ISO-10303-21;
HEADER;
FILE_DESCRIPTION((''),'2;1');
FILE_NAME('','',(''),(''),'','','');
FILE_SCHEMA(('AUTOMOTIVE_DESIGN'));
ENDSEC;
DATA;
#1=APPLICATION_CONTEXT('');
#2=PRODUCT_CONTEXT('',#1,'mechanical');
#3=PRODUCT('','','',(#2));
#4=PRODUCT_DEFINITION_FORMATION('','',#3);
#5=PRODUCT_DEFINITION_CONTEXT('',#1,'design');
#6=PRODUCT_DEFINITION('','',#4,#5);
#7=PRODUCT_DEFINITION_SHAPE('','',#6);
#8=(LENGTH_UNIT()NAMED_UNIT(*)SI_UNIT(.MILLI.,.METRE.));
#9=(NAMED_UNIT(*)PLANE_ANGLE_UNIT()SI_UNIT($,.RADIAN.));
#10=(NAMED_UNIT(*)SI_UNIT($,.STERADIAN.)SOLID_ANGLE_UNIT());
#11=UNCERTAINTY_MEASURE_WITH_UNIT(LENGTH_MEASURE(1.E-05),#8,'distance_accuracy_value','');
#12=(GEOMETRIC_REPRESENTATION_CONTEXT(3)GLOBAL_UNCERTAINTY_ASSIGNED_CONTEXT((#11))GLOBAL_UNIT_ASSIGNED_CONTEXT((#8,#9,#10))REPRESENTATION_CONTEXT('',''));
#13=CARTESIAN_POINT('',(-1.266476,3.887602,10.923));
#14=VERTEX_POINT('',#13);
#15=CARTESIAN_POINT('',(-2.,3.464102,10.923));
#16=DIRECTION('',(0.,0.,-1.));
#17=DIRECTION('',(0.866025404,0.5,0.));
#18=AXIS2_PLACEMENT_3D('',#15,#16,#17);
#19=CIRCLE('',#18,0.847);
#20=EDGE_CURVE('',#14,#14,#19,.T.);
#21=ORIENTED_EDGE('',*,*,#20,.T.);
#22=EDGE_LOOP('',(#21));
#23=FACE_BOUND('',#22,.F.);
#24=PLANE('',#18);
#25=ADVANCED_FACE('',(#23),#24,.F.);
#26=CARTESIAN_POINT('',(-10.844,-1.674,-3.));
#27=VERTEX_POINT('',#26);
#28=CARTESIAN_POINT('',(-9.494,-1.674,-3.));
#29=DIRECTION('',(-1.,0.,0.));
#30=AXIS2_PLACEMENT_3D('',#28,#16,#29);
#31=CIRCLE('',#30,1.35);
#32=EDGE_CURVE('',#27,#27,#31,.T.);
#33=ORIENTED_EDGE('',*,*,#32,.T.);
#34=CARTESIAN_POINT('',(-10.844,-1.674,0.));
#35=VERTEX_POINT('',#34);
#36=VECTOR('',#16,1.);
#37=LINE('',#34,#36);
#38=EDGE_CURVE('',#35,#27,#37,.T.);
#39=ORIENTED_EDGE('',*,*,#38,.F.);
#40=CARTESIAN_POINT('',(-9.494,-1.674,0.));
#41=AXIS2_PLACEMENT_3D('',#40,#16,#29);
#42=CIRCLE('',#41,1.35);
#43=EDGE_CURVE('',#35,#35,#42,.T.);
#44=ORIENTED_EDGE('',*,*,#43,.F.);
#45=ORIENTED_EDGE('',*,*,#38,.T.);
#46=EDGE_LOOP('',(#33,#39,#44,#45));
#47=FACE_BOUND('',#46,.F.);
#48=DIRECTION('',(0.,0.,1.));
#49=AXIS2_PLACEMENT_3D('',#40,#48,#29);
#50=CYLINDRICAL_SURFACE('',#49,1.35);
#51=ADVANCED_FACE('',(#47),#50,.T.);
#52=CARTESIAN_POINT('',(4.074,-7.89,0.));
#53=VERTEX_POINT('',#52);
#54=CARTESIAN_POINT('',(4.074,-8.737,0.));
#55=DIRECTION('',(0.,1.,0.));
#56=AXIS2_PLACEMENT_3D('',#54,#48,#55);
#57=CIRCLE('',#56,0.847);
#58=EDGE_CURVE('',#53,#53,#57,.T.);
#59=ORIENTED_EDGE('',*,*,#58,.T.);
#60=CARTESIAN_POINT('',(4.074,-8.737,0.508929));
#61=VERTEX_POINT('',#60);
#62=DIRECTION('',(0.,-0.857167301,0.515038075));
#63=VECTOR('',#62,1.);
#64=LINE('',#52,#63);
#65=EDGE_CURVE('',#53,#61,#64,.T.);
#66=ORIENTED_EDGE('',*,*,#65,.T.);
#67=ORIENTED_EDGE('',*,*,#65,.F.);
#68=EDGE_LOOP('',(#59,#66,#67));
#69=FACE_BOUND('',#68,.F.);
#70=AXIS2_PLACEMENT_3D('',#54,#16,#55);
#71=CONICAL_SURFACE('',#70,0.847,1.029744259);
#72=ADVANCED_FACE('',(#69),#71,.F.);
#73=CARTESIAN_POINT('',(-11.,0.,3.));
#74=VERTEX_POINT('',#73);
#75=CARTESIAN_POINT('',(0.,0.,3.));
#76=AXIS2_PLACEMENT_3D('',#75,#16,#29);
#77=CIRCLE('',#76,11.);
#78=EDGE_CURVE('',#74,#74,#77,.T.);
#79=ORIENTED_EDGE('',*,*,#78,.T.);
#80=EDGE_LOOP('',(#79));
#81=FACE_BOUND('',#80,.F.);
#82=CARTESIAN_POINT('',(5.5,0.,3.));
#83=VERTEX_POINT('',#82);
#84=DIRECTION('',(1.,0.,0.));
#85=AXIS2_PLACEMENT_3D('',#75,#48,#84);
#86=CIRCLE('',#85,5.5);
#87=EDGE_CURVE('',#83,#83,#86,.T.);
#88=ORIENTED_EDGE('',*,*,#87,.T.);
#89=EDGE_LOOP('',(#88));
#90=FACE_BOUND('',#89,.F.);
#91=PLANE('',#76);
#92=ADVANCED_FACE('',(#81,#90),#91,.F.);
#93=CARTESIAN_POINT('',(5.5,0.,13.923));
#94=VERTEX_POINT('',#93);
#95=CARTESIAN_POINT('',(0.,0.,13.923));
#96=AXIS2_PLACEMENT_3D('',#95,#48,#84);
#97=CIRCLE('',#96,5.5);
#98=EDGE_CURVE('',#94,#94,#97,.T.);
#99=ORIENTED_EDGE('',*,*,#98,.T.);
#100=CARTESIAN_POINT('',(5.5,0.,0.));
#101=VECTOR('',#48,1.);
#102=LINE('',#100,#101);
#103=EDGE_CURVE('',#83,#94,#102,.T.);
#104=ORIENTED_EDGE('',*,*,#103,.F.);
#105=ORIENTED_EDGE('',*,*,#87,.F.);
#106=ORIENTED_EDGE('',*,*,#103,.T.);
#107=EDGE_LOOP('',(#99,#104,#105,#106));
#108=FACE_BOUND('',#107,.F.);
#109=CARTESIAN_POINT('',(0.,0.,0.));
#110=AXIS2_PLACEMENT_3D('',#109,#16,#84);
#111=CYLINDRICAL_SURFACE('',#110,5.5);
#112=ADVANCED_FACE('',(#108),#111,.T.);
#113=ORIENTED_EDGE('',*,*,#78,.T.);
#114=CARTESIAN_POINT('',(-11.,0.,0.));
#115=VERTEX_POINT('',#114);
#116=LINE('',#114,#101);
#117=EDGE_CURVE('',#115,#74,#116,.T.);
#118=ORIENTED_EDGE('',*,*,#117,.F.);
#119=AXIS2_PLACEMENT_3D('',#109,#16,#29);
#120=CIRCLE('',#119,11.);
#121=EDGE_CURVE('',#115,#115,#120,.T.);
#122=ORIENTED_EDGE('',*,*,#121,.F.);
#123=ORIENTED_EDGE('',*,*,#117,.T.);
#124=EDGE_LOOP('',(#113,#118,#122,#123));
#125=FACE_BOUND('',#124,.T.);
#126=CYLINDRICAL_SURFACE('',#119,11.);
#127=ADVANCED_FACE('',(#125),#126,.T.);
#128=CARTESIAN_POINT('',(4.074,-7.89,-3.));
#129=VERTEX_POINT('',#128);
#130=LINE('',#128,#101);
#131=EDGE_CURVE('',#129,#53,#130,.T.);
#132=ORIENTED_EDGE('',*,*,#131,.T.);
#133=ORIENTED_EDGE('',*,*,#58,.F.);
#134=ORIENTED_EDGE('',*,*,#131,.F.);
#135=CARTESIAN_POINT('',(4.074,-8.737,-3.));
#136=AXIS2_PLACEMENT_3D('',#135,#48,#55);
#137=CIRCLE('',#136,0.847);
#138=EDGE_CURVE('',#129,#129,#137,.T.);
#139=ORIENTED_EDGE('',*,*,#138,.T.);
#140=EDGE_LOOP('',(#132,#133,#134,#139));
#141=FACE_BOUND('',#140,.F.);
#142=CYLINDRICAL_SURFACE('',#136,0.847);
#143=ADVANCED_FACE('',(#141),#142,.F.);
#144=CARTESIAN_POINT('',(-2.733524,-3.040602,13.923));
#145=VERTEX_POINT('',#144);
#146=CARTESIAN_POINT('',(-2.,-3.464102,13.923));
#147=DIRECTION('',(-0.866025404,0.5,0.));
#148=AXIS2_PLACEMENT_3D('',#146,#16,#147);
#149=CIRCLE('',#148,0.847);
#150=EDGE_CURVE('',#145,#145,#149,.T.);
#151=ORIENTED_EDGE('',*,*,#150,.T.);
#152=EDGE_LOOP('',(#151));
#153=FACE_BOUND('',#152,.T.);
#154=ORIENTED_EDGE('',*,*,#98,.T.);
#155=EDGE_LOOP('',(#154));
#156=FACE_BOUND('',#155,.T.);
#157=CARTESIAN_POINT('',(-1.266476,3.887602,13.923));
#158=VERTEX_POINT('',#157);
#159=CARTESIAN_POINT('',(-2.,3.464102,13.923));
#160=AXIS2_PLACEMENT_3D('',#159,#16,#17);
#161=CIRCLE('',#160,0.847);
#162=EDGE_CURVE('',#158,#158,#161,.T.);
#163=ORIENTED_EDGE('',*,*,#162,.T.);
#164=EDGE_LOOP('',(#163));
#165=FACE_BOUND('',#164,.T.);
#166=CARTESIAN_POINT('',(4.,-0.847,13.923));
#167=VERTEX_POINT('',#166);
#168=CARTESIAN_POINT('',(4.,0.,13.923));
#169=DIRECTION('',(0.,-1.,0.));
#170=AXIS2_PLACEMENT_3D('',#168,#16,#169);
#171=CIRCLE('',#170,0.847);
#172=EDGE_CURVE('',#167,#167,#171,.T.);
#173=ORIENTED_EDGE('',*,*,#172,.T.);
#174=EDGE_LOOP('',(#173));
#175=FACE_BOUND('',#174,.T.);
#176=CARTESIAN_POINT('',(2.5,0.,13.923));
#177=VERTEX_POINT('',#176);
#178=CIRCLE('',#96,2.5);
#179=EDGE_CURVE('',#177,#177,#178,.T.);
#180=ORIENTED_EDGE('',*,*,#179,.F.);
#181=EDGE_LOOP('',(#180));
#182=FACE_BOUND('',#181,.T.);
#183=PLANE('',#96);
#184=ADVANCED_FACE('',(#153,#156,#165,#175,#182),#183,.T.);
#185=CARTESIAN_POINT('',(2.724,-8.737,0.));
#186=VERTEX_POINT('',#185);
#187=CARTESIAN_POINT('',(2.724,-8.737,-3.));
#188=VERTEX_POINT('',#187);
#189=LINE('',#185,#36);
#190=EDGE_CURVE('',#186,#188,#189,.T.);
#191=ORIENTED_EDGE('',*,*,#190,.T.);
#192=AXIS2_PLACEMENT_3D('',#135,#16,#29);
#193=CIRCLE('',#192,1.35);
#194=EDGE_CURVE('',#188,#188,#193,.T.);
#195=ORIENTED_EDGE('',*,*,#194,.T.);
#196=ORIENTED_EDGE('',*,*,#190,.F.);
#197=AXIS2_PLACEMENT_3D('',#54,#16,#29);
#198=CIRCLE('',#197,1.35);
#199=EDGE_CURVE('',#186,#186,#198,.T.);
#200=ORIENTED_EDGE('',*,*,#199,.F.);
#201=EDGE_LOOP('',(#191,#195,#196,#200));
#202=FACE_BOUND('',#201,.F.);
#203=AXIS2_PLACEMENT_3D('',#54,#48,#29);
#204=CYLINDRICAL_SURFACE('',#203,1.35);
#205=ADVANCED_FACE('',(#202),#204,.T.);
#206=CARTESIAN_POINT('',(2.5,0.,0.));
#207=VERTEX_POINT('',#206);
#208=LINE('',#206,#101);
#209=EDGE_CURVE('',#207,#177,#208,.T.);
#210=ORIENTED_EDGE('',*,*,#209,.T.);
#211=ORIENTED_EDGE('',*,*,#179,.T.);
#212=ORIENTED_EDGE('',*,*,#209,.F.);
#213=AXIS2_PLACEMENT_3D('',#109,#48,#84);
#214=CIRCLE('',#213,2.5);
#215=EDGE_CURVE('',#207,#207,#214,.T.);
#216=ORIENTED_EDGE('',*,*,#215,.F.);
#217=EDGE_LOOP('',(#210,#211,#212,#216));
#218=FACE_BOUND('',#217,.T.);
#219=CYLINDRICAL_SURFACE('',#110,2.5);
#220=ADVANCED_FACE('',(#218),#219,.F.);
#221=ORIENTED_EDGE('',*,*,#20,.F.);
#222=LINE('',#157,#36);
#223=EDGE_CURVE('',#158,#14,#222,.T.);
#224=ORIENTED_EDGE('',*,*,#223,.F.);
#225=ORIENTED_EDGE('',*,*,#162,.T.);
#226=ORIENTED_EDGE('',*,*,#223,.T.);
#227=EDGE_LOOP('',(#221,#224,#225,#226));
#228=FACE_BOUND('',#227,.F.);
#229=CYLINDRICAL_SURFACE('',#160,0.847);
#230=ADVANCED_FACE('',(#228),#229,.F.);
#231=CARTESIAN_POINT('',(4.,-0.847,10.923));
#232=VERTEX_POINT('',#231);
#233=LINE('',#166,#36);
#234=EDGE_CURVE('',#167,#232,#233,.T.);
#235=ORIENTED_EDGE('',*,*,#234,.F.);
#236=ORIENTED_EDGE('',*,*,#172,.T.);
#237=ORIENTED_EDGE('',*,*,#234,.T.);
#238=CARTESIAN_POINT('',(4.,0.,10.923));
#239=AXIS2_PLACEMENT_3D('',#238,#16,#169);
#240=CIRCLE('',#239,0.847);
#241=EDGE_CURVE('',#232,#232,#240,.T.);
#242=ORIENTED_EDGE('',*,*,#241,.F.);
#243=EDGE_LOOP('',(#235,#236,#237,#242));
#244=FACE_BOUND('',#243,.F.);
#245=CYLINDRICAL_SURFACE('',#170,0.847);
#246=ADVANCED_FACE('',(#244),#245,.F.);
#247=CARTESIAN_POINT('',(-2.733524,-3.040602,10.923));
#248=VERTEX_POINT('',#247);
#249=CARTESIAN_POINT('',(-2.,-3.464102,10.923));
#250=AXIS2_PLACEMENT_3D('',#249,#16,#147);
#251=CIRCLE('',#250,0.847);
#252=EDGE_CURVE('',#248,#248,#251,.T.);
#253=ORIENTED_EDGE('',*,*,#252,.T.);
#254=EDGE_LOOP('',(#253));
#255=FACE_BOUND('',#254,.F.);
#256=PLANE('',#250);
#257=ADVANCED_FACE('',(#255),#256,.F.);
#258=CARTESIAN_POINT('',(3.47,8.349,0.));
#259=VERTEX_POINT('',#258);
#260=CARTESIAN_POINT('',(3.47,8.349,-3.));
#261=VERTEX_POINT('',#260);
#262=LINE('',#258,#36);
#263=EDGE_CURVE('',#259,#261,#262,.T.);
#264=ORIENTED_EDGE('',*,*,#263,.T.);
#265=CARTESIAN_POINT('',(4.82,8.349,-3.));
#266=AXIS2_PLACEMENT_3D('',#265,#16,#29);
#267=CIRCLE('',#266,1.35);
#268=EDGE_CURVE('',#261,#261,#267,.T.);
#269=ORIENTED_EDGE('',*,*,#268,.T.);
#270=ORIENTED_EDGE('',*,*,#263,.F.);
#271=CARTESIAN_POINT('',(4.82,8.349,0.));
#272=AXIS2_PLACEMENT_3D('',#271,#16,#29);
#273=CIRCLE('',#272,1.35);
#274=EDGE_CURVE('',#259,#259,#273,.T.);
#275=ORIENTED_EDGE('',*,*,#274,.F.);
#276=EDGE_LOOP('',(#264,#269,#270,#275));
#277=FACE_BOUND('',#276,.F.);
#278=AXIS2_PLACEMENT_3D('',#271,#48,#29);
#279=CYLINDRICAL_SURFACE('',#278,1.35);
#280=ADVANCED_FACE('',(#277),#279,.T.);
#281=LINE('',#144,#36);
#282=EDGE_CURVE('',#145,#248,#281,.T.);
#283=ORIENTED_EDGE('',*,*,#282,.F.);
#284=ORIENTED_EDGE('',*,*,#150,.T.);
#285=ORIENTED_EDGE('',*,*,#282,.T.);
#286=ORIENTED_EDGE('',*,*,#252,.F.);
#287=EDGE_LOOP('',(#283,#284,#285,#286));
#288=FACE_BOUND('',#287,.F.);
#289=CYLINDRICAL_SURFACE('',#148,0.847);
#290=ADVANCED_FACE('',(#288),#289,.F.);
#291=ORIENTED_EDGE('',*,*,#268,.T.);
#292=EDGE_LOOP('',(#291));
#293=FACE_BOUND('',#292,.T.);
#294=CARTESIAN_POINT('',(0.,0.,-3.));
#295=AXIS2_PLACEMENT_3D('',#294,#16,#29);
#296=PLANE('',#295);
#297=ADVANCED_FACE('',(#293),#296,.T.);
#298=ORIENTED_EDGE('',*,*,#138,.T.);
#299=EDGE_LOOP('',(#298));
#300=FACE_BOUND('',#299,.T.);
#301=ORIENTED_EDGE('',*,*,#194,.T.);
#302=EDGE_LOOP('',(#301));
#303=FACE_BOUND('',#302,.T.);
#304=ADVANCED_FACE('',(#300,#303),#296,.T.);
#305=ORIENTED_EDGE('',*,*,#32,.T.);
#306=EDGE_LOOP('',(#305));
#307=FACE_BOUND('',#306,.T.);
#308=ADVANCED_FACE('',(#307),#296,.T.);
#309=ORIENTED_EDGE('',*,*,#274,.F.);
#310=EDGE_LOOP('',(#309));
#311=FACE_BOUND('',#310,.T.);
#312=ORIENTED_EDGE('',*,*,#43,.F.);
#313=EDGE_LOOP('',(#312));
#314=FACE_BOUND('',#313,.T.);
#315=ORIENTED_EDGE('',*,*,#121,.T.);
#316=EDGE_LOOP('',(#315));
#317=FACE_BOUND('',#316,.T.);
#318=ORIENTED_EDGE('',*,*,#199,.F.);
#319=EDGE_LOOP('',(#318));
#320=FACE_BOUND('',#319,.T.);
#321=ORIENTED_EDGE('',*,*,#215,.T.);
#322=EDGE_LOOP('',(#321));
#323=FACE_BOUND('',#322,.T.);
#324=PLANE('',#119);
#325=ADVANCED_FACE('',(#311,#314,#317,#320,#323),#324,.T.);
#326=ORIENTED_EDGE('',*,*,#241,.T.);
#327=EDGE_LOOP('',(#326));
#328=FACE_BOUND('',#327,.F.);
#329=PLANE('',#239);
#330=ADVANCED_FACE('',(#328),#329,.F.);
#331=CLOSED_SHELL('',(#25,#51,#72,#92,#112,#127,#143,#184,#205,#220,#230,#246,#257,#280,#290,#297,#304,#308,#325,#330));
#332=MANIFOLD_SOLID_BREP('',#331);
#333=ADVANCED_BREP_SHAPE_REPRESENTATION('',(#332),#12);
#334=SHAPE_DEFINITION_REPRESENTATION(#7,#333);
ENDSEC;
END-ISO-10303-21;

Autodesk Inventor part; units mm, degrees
ref_plane "YZ Plane" through (0, 0, 0) normal (1, 0, 0) x (0, 1, 0)
ref_plane "XZ Plane" through (0, 0, 0) normal (0, 1, 0) x (-1, 0, 0)
ref_plane "XY Plane" through (0, 0, 0) normal (0, 0, 1) x (1, 0, 0)
sketch "Sketch1" plane through (0, 0, 0) normal (0, 0, 1) x (1, 0, 0)
  circle A0 centre (0, 0) radius 5.5
  circle A1 centre (0, 0) radius 2.5
  dimension "d0" = 11
  dimension "d1" = 5
extrude "Extrusion1" add sketch "Sketch1" along normal blind 13.923
sketch "Sketch2" plane through (0, 0, 0) normal (0, 0, -1) x (-1, 0, 0)
  circle A0 centre (0, 0) radius 5.5 projected
  circle A1 centre (0, 0) radius 11
  dimension "d4" = 22
extrude "Extrusion2" add sketch "Sketch2" against normal blind 3
sketch "Sketch3" plane through (0, 0, 0) normal (0, 0, -1) x (-1, 0, 0)
  line L0 (-6.245, 5) -> (-3, 5)
  circle A0 centre (0, 0) radius 1.5
  line L1 (-3, 5) -> (-3, -5)
  line L2 (-3, -5) -> (-6.245, -5)
  circle A1 centre (9.494, -1.674) radius 0.85
  spline S0 degree 3 poles (10.2296, -1.2481) (10.2738, -1.3244) (10.307, -1.4092) (10.3385, -1.5597) (10.3447, -1.6214) (10.3436, -1.712) (10.3419, -1.74) (10.3365, -1.7883) (10.3335, -1.8088) (10.3258, -1.8503) (10.3211, -1.8713) (10.3072, -1.9234) (10.2972, -1.9541) (10.2556, -2.0601) (10.2157, -2.1299) (10.1087, -2.269) (10.0384, -2.3333) (9.8581, -2.452) (9.7422, -2.496) (9.5082, -2.5317) (9.39, -2.526) (9.1776, -2.4693) (9.0836, -2.4258) (8.9226, -2.3102) (8.8553, -2.243) (8.7497, -2.0936) (8.7103, -2.0147) (8.6611, -1.8594) (8.648, -1.7853) (8.6432, -1.6739) (8.644, -1.6375) (8.6494, -1.5744) (8.653, -1.5477) (8.6628, -1.4942) (8.669, -1.4673) (8.6873, -1.4034) (8.7006, -1.3666) (8.7492, -1.2563) (8.7927, -1.1869) (8.912, -1.0459) (8.9921, -0.9805) (9.1784, -0.8769) (9.2836, -0.8435) (9.5106, -0.8156) (9.6296, -0.8269) (9.8522, -0.8944) (9.955, -0.9506) (10.1164, -1.0872) (10.1799, -1.1623) (10.2296, -1.2481) knots -0.565469 -0.565469 -0.565469 -0.565469 -0.536596 -0.536596 -0.517611 -0.517611 -0.509175 -0.509175 -0.50297 -0.50297 -0.496493 -0.496493 -0.486731 -0.486731 -0.461904 -0.461904 -0.431221 -0.431221 -0.390112 -0.390112 -0.351113 -0.351113 -0.31806 -0.31806 -0.288721 -0.288721 -0.262067 -0.262067 -0.23952 -0.23952 -0.228596 -0.228596 -0.220512 -0.220512 -0.212256 -0.212256 -0.200543 -0.200543 -0.176006 -0.176006 -0.144684 -0.144684 -0.110272 -0.110272 -0.071492 -0.071492 -0.032498 -0.032498 0 0 0 0
  circle A2 centre (9.494, -1.674) radius 1.35
  arc A3 (0, -8) -> (-6.245, 5) centre (0, 0) ccw
  arc A4 (-6.245, -5) -> (0, -8) centre (0, 0) ccw
  circle A5 centre (-4.074, -8.737) radius 0.85
  spline S1 degree 3 poles (-3.2275, -8.6604) (-3.2176, -8.7695) (-3.229, -8.877) (-3.2876, -9.0751) (-3.3329, -9.1647) (-3.4588, -9.3344) (-3.5435, -9.4107) (-3.7198, -9.5152) (-3.8078, -9.5499) (-3.9747, -9.5845) (-4.0515, -9.5903) (-4.1887, -9.5813) (-4.248, -9.5712) (-4.333, -9.547) (-4.3592, -9.5382) (-4.4041, -9.5206) (-4.4229, -9.5123) (-4.4611, -9.4941) (-4.4802, -9.484) (-4.5275, -9.4567) (-4.5549, -9.4386) (-4.6492, -9.3685) (-4.7078, -9.3092) (-4.8155, -9.1642) (-4.8589, -9.0767) (-4.9231, -8.8674) (-4.9328, -8.7429) (-4.9006, -8.5082) (-4.8622, -8.3976) (-4.7491, -8.2109) (-4.6814, -8.1333) (-4.5263, -8.0114) (-4.4435, -7.9656) (-4.2507, -7.8985) (-4.1412, -7.8825) (-3.9721, -7.8911) (-3.9136, -7.9002) (-3.8251, -7.9236) (-3.7941, -7.9337) (-3.7394, -7.9552) (-3.7153, -7.9659) (-3.6658, -7.9908) (-3.6405, -8.0053) (-3.5776, -8.0455) (-3.5413, -8.0731) (-3.4268, -8.1755) (-3.361, -8.262) (-3.2655, -8.4537) (-3.2369, -8.5564) (-3.2275, -8.6604) knots -0.566086 -0.566086 -0.566086 -0.566086 -0.531825 -0.531825 -0.498779 -0.498779 -0.460694 -0.460694 -0.429612 -0.429612 -0.405256 -0.405256 -0.386838 -0.386838 -0.378505 -0.378505 -0.372312 -0.372312 -0.365791 -0.365791 -0.355852 -0.355852 -0.330056 -0.330056 -0.298514 -0.298514 -0.25701 -0.25701 -0.218398 -0.218398 -0.185587 -0.185587 -0.156394 -0.156394 -0.123104 -0.123104 -0.105349 -0.105349 -0.095573 -0.095573 -0.087672 -0.087672 -0.078924 -0.078924 -0.065227 -0.065227 -0.032657 -0.032657 0 0 0 0
  circle A6 centre (-4.074, -8.737) radius 1.35
  circle A7 centre (-4.82, 8.349) radius 0.85
  spline S2 degree 3 poles (-4.1123, 8.8197) (-4.052, 8.7291) (-4.0084, 8.6259) (-3.9677, 8.4209) (-3.9647, 8.3234) (-3.9919, 8.1375) (-4.0188, 8.0509) (-4.0994, 7.8893) (-4.1522, 7.8154) (-4.2455, 7.7212) (-4.2773, 7.6934) (-4.3337, 7.6513) (-4.3572, 7.6355) (-4.4041, 7.6072) (-4.4275, 7.5946) (-4.4822, 7.5683) (-4.5139, 7.5553) (-4.6086, 7.5231) (-4.6731, 7.5092) (-4.8426, 7.4929) (-4.947, 7.5022) (-5.1521, 7.5589) (-5.2492, 7.6077) (-5.4281, 7.7434) (-5.5042, 7.8321) (-5.6193, 8.0357) (-5.6549, 8.1509) (-5.6758, 8.3693) (-5.6674, 8.4725) (-5.6185, 8.6517) (-5.5851, 8.7291) (-5.4963, 8.8702) (-5.4427, 8.9337) (-5.3552, 9.0101) (-5.3302, 9.0296) (-5.2865, 9.0599) (-5.2685, 9.0714) (-5.2323, 9.0926) (-5.2143, 9.1023) (-5.1705, 9.1239) (-5.1446, 9.1351) (-5.0727, 9.162) (-5.0263, 9.175) (-4.8823, 9.2025) (-4.7852, 9.2034) (-4.5796, 9.1723) (-4.4735, 9.1329) (-4.2735, 9.0117) (-4.182, 8.9246) (-4.1123, 8.8197) knots -0.567177 -0.567177 -0.567177 -0.567177 -0.53086 -0.53086 -0.500336 -0.500336 -0.472721 -0.472721 -0.445441 -0.445441 -0.432747 -0.432747 -0.42424 -0.42424 -0.416254 -0.416254 -0.405955 -0.405955 -0.386117 -0.386117 -0.354442 -0.354442 -0.320748 -0.320748 -0.283148 -0.283148 -0.243084 -0.243084 -0.208567 -0.208567 -0.181377 -0.181377 -0.155642 -0.155642 -0.146036 -0.146036 -0.139581 -0.139581 -0.133402 -0.133402 -0.124853 -0.124853 -0.110096 -0.110096 -0.079394 -0.079394 -0.04201 -0.04201 0 0 0 0
  circle A8 centre (-4.82, 8.349) radius 1.35
  circle A9 centre (0, 0) radius 1.5
  circle A10 centre (0, 0) radius 8
  dimension "d7" = 2.7
  dimension "d8" = 2.7
  dimension "d9" = 2.7
extrude "Extrusion3" add sketch "Sketch3" along normal blind 3 contours A1 | A2 | A5 | A6 | A7 | A8
sketch "Sketch4" plane through (0, 0, 13.923) normal (0, 0, 1) x (1, 0, 0)
  circle A0 centre (0, 0) radius 2.5 projected
  line L0 (-7.7, 0) -> (7.7, 0) projected
  point P0 (4, 0)
  dimension "d12" = 4
hole "Hole1" at (4, 0, 13.923) direction (0, 0, -1) diameter 1.694 depth 3 thread size "2-56 UNC" class "2B" standard "ANSI Unified Screw Threads"
pattern_circular "Circular Pattern1" count 3 over 360 about axis through (0, 0, -10) along (0, 0, 1) of "Hole1"
sketch "Sketch5" plane through (4.074, -8.737, -3) normal (0, 0, -1) x (-1, 0, 0)
  circle A0 centre (0, 0) radius 1.35 projected
  point P0 (4.074, 8.737)
hole "Hole2" at (4.074, -8.737, -3) direction (0, 0, 1) diameter 1.694 depth 3 tip angle 118 thread size "2-56 UNC" class "2B" standard "ANSI Unified Screw Threads"
properties part number "ss_inner_guide_bottom"
